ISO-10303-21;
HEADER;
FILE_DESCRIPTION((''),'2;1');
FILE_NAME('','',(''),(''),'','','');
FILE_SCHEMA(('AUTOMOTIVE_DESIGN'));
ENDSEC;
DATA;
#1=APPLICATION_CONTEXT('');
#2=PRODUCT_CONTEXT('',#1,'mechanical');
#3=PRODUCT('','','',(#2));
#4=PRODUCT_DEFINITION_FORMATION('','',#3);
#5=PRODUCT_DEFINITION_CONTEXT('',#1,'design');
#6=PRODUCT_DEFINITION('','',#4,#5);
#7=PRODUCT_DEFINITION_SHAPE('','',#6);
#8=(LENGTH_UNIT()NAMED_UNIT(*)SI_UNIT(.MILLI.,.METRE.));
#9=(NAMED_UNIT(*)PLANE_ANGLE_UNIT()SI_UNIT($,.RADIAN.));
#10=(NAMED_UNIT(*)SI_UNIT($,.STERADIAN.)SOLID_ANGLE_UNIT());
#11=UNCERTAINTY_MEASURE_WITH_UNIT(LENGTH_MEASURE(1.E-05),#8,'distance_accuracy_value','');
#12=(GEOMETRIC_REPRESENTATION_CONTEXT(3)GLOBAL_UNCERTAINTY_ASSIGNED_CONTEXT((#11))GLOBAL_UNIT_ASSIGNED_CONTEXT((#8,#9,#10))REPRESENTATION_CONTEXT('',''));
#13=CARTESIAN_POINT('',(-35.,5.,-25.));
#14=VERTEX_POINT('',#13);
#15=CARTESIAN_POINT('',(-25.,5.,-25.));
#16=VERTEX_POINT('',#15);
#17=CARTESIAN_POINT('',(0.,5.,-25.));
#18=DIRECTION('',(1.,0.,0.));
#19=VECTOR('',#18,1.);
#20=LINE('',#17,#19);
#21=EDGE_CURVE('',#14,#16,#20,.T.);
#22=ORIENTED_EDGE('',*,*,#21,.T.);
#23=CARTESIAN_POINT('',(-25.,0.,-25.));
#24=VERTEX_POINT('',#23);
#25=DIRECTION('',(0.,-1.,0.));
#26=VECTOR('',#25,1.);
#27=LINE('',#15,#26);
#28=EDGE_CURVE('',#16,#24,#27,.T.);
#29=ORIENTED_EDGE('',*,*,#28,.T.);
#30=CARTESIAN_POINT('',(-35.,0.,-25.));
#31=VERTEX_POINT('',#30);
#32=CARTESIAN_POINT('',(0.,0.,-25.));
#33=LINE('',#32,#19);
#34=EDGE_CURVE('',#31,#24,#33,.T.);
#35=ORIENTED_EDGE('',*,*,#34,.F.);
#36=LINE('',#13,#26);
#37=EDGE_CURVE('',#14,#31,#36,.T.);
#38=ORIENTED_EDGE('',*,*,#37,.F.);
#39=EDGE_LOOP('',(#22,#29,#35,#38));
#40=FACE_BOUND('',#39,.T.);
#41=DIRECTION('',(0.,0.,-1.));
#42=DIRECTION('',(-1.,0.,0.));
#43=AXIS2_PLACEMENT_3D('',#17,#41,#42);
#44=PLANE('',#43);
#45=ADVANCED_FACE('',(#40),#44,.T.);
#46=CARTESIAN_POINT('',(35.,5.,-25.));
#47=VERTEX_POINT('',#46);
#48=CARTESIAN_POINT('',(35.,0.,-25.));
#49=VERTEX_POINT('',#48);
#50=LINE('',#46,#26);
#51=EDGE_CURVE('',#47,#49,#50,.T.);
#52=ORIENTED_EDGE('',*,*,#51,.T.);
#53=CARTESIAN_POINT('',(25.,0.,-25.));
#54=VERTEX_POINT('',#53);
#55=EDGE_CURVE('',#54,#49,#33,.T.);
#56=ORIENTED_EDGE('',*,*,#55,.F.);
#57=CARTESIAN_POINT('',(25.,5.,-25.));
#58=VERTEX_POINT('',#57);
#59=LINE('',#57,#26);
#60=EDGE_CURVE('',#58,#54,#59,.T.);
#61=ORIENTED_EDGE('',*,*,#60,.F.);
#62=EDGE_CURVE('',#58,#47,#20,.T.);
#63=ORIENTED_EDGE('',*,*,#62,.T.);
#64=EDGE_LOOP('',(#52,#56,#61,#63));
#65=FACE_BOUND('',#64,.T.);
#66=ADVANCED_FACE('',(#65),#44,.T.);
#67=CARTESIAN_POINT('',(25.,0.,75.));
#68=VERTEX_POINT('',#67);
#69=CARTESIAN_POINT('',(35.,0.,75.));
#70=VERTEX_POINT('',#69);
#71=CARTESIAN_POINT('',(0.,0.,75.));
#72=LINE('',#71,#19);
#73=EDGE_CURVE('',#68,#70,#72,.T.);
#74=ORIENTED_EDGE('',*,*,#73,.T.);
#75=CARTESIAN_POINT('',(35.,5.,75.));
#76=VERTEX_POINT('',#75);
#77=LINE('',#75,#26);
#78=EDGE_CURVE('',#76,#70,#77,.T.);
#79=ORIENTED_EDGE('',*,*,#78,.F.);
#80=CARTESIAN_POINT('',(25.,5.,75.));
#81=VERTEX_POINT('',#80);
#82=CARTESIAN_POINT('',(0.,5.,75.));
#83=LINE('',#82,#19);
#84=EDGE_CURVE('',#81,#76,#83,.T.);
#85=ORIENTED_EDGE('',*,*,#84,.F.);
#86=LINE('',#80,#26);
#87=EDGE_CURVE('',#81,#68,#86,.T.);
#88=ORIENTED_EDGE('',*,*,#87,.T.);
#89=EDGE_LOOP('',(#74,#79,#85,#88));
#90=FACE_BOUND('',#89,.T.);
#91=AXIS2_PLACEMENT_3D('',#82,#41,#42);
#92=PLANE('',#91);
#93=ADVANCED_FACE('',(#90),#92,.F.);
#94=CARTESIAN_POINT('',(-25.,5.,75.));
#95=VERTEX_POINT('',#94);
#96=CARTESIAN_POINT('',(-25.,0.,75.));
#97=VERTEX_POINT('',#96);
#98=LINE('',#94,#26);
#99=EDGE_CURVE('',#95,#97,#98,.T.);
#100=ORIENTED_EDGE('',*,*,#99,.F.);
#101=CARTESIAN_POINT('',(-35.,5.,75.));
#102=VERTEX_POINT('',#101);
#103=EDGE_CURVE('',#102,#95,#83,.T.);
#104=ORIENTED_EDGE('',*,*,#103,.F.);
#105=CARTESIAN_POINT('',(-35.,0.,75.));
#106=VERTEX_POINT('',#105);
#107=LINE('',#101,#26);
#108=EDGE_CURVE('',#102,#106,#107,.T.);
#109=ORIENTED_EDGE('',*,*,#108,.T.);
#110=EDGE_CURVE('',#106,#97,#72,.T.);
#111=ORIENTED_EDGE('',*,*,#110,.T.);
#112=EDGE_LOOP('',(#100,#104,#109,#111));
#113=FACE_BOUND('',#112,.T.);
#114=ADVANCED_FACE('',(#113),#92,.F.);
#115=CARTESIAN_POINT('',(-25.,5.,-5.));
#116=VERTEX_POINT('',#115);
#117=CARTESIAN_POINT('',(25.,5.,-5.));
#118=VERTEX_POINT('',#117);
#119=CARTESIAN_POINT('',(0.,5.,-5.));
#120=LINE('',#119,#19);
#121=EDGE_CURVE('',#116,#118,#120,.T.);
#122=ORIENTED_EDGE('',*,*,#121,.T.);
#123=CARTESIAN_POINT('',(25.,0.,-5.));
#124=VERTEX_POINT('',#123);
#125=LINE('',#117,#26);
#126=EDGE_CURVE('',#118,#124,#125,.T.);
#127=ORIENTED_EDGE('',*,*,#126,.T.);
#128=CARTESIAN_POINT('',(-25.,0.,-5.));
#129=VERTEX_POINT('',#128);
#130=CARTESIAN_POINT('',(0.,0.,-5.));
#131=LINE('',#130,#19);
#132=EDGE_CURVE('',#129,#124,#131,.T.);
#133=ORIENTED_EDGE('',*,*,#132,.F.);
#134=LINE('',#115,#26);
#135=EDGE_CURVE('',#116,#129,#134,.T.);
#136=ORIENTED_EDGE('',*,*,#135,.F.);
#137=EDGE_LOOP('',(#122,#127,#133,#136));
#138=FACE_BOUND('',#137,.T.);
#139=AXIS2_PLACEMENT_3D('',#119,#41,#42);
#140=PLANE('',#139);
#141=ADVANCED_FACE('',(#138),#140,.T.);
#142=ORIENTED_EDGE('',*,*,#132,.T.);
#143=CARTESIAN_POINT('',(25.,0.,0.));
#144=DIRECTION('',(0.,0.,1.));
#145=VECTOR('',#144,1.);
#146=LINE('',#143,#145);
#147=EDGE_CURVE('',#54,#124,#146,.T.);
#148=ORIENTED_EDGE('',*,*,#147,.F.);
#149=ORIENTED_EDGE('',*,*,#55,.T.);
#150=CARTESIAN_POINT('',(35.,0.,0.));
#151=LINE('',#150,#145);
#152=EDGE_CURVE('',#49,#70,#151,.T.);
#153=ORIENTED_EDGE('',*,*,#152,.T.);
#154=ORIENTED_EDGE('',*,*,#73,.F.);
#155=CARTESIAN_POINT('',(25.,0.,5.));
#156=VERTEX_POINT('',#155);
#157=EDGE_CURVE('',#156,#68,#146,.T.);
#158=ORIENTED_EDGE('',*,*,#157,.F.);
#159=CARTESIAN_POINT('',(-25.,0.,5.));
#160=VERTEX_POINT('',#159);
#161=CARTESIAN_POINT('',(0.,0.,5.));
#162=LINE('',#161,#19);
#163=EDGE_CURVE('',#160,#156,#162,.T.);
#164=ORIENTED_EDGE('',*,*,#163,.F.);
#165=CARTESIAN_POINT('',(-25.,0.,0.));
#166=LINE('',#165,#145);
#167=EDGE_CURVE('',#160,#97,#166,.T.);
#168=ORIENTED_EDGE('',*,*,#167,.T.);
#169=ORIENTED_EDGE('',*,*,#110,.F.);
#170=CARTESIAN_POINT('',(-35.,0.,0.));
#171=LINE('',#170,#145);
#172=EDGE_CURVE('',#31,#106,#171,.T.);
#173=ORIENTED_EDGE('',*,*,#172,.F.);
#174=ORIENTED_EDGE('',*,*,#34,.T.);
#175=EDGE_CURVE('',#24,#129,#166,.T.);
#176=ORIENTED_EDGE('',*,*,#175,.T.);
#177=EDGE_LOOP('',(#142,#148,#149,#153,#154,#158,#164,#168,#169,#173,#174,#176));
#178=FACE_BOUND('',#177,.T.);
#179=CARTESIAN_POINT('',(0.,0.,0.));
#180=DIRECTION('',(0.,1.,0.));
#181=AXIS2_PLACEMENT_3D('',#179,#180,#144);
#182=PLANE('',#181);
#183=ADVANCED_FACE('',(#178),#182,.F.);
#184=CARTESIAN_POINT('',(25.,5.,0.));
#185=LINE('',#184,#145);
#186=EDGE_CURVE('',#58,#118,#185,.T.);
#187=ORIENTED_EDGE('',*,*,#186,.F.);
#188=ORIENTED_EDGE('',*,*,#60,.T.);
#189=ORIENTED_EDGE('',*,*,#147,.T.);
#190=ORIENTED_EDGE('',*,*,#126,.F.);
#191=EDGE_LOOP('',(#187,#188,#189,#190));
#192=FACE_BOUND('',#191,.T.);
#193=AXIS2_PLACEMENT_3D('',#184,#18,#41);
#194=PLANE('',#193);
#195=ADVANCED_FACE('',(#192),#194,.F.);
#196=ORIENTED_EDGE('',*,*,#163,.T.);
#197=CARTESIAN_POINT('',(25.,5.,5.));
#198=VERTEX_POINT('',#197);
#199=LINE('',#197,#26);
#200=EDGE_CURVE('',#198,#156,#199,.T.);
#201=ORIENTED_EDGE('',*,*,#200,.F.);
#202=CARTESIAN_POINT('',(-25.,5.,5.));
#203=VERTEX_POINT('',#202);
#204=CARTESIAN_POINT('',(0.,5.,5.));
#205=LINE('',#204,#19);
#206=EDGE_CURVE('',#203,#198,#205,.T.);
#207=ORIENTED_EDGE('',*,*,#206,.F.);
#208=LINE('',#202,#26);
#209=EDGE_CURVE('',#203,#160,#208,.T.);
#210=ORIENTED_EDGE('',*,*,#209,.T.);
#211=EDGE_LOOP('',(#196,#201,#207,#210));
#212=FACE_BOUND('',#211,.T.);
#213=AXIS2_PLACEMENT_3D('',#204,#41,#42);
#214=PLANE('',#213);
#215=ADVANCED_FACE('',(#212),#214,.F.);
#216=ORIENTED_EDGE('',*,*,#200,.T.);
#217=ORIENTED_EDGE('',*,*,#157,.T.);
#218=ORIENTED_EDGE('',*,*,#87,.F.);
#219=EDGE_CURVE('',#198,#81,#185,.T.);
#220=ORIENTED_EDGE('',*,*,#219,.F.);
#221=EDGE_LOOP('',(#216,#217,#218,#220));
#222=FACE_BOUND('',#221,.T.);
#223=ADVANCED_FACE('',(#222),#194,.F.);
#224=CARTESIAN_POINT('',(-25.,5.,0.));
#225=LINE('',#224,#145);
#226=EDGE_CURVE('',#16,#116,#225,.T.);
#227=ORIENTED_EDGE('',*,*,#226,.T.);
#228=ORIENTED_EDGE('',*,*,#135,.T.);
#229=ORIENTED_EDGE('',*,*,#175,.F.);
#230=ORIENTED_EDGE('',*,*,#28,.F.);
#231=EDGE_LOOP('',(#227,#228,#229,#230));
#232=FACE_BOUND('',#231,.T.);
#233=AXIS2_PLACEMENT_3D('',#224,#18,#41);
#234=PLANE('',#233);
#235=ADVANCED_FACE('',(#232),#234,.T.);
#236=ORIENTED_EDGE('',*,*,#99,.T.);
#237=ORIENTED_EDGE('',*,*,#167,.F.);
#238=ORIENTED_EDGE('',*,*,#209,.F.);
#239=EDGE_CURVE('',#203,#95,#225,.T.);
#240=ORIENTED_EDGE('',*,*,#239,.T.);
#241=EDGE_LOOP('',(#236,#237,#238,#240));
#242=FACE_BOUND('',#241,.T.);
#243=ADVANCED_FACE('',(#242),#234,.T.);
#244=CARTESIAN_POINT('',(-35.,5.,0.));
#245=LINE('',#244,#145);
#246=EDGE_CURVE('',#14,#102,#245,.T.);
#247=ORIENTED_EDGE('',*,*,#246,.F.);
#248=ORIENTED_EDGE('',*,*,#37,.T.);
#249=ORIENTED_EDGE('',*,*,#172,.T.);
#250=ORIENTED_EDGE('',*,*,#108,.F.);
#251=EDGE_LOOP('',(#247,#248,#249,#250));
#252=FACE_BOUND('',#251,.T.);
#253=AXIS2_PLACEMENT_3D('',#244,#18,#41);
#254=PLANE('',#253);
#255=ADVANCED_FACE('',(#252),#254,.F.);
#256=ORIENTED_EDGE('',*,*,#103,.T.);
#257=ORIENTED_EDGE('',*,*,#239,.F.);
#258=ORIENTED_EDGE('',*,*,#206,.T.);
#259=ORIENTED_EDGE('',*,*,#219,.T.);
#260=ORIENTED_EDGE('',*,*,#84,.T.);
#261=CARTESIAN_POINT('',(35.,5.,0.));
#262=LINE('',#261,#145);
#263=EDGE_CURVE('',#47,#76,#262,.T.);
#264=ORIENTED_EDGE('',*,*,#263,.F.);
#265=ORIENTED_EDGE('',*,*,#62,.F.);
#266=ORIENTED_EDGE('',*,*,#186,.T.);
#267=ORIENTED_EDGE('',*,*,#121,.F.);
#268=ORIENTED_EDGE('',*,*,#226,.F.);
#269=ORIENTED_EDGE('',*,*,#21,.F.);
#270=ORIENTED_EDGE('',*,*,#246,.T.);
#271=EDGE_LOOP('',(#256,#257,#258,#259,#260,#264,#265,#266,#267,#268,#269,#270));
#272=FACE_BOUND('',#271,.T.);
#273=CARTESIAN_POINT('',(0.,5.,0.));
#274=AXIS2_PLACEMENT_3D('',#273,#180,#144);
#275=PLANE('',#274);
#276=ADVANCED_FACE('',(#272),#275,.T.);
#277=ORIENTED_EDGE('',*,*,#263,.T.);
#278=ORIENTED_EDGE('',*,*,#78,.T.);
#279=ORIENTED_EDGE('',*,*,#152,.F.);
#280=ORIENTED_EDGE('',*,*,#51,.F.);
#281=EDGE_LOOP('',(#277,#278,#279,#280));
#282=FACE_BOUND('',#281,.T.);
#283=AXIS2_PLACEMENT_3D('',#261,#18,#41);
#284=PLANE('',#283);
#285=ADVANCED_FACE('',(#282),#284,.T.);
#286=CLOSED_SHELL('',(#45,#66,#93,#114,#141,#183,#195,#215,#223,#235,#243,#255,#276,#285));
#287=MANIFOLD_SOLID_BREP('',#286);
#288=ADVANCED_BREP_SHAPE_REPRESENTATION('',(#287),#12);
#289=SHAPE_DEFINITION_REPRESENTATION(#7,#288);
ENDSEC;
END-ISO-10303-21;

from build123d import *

# Parameters (mm, degrees)
ESQUISSE1_W        = 50
ESQUISSE1_H        = 10
BOSS_EXTRU_1_DEPTH = 5


with BuildPart() as part:
    # Esquisse1 → Boss.-Extru.1 (new body)
    with BuildSketch(Plane(origin=(0, 0, 0), x_dir=(1, 0, 0), z_dir=(0, 1, 0))):
        Polygon((-25, -75), (-25, -5), (-25, 5), (-25, 25), (-35, 25), (-35, -75), align=None)
        Rectangle(ESQUISSE1_W, ESQUISSE1_H)
        Polygon((25, 5), (25, -5), (25, -75), (35, -75), (35, 25), (25, 25), align=None)
    extrude(amount=BOSS_EXTRU_1_DEPTH)


solid = part.part
